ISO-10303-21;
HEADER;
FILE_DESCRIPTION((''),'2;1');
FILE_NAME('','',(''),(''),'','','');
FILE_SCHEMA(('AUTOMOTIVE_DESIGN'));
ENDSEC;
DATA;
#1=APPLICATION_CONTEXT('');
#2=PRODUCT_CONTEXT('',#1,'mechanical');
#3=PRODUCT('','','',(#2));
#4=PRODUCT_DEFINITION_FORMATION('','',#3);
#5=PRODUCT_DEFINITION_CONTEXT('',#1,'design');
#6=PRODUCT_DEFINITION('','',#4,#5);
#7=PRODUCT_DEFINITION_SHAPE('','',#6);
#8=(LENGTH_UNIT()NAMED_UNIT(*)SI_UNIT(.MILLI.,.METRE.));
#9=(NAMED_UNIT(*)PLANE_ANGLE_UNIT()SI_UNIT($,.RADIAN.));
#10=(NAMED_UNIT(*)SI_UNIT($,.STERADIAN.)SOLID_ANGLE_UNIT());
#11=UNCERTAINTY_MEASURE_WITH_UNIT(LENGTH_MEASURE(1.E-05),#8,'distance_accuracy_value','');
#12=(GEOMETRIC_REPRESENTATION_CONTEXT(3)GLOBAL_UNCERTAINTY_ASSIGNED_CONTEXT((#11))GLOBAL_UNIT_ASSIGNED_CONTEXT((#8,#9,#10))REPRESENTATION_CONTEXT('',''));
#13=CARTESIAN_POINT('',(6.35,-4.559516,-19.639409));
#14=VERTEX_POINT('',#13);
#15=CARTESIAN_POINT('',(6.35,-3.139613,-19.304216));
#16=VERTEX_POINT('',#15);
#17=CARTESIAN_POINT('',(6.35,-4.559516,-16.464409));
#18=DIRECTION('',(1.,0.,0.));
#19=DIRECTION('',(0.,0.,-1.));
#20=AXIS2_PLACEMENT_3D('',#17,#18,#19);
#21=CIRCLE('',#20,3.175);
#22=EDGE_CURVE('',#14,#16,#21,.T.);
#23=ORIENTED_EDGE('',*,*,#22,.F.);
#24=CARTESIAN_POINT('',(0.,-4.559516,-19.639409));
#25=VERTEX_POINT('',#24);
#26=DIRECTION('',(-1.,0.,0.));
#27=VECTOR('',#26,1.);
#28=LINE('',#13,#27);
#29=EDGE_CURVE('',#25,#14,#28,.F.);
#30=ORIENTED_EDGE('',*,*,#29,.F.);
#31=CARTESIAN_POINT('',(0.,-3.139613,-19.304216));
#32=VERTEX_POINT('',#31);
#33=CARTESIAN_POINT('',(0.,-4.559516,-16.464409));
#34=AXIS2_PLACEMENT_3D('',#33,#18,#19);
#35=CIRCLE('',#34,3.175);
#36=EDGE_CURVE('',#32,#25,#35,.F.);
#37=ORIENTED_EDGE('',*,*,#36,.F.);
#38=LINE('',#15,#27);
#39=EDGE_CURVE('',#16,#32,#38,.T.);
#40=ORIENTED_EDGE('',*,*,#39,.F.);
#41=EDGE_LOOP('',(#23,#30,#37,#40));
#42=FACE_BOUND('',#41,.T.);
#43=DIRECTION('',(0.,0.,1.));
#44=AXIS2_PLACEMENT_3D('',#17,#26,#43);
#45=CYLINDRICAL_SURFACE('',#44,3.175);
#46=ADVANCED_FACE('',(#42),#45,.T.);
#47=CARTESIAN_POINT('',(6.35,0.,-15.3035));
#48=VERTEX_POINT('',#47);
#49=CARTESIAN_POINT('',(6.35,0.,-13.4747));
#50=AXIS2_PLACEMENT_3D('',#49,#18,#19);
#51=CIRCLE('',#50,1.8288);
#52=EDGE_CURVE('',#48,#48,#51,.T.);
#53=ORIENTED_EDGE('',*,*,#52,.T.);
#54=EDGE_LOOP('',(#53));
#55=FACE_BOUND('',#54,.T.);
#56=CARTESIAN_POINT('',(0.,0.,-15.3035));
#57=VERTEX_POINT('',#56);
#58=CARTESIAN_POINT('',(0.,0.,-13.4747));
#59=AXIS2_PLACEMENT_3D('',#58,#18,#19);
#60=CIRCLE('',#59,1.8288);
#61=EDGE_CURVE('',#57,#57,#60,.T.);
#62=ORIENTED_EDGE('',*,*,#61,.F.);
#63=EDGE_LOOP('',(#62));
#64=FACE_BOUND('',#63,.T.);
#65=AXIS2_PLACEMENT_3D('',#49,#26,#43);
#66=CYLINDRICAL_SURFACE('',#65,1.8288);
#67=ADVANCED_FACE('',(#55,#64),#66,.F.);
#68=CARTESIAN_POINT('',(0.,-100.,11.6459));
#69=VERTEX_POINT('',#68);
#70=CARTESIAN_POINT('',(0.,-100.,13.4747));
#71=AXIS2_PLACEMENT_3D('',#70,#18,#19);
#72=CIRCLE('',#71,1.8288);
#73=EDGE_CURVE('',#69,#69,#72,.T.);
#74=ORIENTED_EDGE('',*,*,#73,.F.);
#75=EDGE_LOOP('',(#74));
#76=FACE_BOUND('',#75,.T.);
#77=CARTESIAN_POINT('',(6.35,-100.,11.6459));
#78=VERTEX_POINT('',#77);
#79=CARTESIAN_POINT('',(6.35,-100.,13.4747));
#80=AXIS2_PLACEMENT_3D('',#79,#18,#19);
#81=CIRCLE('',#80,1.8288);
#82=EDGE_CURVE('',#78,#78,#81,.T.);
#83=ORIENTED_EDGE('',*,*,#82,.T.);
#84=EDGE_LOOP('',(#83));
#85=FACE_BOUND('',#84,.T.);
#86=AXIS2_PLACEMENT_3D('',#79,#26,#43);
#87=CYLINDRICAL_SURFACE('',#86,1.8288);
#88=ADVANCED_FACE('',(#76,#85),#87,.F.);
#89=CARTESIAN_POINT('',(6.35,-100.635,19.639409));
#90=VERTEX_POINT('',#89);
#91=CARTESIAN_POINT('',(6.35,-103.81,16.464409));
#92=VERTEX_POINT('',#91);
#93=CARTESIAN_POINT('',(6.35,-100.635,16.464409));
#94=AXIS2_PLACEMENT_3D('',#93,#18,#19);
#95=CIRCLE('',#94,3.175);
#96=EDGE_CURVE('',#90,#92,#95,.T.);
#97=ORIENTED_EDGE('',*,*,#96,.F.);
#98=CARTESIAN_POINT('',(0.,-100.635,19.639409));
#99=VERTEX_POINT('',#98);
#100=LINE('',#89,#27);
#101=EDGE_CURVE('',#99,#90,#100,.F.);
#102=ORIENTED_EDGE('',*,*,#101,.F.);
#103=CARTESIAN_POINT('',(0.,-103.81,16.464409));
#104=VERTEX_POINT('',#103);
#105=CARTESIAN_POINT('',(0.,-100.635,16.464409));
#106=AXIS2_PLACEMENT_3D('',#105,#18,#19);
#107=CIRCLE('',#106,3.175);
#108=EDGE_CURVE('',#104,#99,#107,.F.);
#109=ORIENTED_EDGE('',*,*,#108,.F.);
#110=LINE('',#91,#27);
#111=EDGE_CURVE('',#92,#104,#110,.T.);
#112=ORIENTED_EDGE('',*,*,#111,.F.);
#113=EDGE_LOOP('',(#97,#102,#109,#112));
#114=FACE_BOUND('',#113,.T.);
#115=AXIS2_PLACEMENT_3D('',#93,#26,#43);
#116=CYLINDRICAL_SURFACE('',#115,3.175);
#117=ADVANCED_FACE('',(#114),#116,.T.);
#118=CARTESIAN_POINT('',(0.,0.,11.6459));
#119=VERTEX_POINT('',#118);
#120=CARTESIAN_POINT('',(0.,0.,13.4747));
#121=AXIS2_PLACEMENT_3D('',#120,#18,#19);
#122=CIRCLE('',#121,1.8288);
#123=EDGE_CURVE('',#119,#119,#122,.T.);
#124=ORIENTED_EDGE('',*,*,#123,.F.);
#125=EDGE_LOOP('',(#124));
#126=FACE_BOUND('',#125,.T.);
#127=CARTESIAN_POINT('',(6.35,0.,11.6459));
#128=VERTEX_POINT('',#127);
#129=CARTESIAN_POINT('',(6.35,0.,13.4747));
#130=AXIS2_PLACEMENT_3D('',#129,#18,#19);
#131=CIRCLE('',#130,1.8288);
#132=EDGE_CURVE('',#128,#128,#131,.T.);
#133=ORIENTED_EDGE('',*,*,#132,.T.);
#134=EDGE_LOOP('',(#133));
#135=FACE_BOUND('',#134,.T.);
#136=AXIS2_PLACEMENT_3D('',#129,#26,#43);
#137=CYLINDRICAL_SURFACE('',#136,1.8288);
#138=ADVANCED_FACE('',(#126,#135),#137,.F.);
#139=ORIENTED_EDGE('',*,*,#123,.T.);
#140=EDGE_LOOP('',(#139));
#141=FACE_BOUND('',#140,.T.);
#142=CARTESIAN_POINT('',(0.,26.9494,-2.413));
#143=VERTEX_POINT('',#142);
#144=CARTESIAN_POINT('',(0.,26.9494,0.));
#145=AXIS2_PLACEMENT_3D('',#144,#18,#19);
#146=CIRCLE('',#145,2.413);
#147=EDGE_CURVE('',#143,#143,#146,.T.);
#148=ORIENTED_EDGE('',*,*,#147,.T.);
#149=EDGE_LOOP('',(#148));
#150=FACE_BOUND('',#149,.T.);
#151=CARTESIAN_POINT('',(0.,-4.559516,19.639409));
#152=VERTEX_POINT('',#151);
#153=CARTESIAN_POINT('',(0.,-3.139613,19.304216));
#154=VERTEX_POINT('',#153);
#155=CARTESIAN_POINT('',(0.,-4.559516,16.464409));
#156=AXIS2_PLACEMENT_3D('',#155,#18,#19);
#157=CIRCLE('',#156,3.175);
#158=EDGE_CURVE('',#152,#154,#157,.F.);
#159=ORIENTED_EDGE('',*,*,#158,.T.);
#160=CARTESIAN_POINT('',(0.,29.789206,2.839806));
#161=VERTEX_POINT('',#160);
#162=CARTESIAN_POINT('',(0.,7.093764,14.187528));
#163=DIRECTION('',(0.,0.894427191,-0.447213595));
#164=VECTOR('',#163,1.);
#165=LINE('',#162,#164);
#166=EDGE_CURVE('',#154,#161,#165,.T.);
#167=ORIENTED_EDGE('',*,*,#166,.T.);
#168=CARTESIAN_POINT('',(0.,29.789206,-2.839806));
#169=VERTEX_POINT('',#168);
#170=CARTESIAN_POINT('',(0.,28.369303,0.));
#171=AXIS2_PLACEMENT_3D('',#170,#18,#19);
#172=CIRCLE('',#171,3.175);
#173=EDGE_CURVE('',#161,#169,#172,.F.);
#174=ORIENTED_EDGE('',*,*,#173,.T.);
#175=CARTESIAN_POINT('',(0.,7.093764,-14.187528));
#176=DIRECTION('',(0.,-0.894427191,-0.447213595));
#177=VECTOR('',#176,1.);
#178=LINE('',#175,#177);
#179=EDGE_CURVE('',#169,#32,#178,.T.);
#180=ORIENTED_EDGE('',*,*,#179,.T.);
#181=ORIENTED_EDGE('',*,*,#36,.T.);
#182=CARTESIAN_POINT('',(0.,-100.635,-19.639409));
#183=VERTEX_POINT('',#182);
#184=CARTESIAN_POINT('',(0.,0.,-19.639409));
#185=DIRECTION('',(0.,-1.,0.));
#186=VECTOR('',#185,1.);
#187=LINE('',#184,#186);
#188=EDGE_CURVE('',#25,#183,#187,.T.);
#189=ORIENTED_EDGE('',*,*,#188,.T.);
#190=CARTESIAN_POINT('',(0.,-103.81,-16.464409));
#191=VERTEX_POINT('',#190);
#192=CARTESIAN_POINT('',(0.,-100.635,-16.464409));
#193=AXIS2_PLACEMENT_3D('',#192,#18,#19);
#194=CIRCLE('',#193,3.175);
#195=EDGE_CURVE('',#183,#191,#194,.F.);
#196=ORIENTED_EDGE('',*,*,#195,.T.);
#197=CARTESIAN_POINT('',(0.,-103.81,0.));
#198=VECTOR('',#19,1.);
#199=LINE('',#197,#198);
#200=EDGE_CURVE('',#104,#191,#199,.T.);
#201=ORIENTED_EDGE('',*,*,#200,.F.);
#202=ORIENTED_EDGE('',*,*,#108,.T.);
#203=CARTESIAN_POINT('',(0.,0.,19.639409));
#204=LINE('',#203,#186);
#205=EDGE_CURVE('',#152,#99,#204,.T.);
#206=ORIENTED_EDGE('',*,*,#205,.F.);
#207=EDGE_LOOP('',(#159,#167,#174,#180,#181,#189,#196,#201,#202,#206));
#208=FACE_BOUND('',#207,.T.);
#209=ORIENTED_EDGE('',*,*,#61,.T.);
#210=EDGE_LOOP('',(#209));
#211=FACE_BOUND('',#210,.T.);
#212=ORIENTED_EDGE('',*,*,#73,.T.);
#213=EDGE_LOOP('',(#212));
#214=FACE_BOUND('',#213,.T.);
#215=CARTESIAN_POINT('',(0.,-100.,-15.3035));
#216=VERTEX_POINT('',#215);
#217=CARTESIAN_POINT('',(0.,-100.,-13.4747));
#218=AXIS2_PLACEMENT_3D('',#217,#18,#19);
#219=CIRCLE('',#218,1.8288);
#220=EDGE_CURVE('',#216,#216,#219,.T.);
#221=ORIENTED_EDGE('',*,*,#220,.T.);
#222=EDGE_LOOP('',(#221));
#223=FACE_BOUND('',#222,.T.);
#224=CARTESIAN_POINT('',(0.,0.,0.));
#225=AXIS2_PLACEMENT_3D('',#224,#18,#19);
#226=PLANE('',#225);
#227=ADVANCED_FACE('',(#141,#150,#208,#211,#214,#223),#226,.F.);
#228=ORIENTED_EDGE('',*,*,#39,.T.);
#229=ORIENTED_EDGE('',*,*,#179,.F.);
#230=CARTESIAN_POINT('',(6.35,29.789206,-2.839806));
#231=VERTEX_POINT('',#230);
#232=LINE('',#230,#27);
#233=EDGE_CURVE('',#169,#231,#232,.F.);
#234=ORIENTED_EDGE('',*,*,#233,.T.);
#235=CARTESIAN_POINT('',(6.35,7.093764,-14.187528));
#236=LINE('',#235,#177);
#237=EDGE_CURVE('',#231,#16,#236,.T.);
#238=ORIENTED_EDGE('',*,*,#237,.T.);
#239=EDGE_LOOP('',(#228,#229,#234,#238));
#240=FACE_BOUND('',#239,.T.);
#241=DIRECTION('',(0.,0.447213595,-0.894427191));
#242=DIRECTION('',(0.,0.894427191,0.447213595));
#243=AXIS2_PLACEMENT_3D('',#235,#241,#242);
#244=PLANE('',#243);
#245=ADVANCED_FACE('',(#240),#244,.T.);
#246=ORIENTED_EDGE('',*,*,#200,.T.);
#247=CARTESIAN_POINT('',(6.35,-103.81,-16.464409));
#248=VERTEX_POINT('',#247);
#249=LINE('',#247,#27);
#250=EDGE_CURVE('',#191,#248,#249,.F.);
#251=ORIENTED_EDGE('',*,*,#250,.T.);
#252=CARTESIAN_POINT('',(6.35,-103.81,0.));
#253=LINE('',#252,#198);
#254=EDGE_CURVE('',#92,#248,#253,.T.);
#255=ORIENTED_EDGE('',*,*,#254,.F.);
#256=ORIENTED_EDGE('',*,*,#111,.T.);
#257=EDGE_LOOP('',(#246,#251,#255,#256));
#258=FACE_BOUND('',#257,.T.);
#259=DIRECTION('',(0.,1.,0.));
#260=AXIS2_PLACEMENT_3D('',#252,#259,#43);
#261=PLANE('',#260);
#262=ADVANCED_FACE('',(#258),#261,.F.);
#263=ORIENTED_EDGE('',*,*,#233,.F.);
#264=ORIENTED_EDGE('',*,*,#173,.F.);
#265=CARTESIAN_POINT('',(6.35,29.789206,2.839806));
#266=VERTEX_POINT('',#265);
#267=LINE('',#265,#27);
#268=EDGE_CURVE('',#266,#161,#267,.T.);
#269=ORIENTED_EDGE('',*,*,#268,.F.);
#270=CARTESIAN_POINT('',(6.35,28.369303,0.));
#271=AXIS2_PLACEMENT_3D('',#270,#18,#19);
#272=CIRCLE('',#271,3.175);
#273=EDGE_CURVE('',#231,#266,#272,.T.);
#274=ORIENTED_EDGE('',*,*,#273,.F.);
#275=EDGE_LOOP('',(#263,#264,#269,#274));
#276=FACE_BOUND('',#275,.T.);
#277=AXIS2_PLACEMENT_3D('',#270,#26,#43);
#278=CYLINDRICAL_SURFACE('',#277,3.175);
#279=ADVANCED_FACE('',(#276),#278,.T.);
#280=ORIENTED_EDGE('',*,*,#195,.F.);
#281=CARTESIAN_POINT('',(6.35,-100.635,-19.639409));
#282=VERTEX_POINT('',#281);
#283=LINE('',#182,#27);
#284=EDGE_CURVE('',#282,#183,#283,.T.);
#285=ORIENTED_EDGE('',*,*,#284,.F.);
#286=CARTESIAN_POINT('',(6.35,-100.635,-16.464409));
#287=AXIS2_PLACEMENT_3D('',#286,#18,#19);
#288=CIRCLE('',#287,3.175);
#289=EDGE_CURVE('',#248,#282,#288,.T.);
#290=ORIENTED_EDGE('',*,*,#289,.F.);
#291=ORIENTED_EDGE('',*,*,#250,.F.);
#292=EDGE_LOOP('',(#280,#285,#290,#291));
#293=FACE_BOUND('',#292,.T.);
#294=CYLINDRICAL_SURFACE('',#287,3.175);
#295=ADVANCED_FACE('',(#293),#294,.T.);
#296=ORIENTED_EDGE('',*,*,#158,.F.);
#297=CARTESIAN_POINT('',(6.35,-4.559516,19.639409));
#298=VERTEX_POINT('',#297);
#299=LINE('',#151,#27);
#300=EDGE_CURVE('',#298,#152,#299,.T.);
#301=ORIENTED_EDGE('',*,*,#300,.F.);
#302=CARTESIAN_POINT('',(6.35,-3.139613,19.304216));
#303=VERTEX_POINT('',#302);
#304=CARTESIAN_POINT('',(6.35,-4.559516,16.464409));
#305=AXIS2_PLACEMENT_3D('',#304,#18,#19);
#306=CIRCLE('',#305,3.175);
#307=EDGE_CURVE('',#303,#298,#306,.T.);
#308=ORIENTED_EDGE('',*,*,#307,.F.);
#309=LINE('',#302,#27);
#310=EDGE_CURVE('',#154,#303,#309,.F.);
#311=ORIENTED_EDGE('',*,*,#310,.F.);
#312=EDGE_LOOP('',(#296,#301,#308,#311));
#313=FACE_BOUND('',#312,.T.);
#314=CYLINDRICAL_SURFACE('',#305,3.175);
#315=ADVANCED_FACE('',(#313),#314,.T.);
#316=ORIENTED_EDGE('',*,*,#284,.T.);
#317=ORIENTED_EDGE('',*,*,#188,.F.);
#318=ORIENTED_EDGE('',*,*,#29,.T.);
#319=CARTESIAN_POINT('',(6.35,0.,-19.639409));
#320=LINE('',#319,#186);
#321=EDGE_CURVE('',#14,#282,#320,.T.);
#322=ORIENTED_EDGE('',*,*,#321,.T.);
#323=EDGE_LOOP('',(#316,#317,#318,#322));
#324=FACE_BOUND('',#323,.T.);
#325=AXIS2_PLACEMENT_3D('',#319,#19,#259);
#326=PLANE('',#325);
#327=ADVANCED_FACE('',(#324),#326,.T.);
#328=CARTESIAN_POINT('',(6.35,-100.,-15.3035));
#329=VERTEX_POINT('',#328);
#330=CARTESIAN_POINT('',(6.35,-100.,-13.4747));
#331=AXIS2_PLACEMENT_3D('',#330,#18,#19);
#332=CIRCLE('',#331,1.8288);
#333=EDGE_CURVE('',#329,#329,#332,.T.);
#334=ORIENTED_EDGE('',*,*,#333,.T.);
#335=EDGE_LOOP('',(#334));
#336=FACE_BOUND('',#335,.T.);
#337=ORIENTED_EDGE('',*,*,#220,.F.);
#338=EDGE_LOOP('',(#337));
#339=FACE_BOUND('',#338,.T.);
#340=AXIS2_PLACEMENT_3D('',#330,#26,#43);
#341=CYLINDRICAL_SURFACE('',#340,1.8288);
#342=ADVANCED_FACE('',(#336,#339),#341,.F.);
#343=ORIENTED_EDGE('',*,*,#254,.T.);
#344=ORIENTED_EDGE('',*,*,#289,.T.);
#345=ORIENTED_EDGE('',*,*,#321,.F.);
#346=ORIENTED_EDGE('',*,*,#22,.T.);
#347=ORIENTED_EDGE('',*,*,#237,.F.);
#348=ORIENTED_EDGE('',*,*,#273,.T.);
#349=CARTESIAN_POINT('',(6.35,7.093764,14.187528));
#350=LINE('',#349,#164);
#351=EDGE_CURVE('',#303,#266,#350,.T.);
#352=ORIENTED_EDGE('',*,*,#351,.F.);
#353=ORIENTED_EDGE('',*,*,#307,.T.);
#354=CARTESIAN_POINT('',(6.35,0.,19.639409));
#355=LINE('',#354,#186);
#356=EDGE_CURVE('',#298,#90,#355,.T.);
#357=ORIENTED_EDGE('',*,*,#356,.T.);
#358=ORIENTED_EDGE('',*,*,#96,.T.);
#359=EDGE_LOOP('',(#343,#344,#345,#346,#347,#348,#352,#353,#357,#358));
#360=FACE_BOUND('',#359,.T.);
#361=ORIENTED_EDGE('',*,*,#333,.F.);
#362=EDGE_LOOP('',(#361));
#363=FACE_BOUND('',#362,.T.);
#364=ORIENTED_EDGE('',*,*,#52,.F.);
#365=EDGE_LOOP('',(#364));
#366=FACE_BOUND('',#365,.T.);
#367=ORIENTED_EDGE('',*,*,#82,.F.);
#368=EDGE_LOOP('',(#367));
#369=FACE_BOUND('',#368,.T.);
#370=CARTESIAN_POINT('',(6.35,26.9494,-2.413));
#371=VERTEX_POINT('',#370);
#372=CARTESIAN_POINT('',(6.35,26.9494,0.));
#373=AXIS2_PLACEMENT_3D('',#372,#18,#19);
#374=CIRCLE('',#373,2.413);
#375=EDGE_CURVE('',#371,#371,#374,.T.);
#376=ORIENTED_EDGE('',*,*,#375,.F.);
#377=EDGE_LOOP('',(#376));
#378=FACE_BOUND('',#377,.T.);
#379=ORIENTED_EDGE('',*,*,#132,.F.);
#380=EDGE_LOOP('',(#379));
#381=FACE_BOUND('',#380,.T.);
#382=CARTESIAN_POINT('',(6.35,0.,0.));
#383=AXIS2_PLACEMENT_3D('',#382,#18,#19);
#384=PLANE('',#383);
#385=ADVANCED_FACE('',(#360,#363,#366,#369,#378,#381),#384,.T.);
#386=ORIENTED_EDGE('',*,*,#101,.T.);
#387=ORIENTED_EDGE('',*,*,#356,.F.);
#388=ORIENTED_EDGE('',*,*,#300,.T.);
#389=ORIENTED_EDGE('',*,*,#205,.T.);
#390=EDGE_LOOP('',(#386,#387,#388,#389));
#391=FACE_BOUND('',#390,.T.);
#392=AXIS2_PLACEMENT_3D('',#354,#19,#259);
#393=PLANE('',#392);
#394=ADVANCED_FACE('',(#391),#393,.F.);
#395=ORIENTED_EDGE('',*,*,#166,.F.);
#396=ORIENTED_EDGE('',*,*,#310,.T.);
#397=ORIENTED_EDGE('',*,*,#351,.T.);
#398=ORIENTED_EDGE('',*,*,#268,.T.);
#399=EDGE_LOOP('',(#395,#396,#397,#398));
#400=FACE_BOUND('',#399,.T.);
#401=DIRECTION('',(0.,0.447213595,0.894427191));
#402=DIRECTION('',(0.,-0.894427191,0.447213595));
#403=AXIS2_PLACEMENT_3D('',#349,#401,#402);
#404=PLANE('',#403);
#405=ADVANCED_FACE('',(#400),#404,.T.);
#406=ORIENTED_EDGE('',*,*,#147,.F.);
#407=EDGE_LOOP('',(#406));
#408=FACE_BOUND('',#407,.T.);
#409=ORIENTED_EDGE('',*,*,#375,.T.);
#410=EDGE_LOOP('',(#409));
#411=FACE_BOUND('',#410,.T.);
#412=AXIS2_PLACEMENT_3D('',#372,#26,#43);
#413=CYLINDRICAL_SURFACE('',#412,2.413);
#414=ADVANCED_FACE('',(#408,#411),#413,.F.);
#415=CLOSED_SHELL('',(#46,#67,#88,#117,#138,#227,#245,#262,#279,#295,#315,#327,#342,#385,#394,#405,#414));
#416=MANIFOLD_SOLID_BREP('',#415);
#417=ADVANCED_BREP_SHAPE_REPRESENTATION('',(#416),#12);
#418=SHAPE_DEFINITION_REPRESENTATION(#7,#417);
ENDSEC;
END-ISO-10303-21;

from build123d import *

# Parameters (mm, degrees)
SKETCH1_W           = 39.278818994
SKETCH1_H           = 100
SKETCH1_R           = 1.8288
SKETCH1_R_2         = 2.413
BOSS_EXTRUDE1_DEPTH = 6.35
FILLET1_R           = 3.175


with BuildPart() as part:
    # Sketch1 → Boss-Extrude1 (new body)
    # profile 1 of 2: a face of its own
    with BuildSketch(Plane(origin=(0, 0, 0), x_dir=(0, 0, -1), z_dir=(1, 0, 0))):
        with Locations((0, -53.81)):
            Rectangle(SKETCH1_W, SKETCH1_H)
        with Locations((13.4747, -100)):
            Circle(SKETCH1_R, mode=Mode.SUBTRACT)
        with Locations((-13.4747, -100)):
            Circle(SKETCH1_R, mode=Mode.SUBTRACT)
    # profile 2 of 2: a face of its own
    with BuildSketch(Plane(origin=(0, 0, 0), x_dir=(0, 0, -1), z_dir=(1, 0, 0))):
        Polygon((0, 35.468818994), (19.639409497, -3.81), (-19.639409497, -3.81), align=None)
        with Locations((13.4747, 0)):
            Circle(SKETCH1_R, mode=Mode.SUBTRACT)
        with Locations((0, 26.9494)):
            Circle(SKETCH1_R_2, mode=Mode.SUBTRACT)
        with Locations((-13.4747, 0)):
            Circle(SKETCH1_R, mode=Mode.SUBTRACT)
    extrude(amount=BOSS_EXTRUDE1_DEPTH)

    # Fillet1
    fillet1_edges = [part.edges().sort_by_distance(p)[0] for p in [
        (3.175, -3.81, 19.639409497),
        (3.175, 35.468818994, 0),
        (3.175, -3.81, -19.639409497),
        (3.175, -103.81, -19.639409497),
        (3.175, -103.81, 19.639409497),
    ]]
    fillet(fillet1_edges, radius=FILLET1_R)


solid = part.part
